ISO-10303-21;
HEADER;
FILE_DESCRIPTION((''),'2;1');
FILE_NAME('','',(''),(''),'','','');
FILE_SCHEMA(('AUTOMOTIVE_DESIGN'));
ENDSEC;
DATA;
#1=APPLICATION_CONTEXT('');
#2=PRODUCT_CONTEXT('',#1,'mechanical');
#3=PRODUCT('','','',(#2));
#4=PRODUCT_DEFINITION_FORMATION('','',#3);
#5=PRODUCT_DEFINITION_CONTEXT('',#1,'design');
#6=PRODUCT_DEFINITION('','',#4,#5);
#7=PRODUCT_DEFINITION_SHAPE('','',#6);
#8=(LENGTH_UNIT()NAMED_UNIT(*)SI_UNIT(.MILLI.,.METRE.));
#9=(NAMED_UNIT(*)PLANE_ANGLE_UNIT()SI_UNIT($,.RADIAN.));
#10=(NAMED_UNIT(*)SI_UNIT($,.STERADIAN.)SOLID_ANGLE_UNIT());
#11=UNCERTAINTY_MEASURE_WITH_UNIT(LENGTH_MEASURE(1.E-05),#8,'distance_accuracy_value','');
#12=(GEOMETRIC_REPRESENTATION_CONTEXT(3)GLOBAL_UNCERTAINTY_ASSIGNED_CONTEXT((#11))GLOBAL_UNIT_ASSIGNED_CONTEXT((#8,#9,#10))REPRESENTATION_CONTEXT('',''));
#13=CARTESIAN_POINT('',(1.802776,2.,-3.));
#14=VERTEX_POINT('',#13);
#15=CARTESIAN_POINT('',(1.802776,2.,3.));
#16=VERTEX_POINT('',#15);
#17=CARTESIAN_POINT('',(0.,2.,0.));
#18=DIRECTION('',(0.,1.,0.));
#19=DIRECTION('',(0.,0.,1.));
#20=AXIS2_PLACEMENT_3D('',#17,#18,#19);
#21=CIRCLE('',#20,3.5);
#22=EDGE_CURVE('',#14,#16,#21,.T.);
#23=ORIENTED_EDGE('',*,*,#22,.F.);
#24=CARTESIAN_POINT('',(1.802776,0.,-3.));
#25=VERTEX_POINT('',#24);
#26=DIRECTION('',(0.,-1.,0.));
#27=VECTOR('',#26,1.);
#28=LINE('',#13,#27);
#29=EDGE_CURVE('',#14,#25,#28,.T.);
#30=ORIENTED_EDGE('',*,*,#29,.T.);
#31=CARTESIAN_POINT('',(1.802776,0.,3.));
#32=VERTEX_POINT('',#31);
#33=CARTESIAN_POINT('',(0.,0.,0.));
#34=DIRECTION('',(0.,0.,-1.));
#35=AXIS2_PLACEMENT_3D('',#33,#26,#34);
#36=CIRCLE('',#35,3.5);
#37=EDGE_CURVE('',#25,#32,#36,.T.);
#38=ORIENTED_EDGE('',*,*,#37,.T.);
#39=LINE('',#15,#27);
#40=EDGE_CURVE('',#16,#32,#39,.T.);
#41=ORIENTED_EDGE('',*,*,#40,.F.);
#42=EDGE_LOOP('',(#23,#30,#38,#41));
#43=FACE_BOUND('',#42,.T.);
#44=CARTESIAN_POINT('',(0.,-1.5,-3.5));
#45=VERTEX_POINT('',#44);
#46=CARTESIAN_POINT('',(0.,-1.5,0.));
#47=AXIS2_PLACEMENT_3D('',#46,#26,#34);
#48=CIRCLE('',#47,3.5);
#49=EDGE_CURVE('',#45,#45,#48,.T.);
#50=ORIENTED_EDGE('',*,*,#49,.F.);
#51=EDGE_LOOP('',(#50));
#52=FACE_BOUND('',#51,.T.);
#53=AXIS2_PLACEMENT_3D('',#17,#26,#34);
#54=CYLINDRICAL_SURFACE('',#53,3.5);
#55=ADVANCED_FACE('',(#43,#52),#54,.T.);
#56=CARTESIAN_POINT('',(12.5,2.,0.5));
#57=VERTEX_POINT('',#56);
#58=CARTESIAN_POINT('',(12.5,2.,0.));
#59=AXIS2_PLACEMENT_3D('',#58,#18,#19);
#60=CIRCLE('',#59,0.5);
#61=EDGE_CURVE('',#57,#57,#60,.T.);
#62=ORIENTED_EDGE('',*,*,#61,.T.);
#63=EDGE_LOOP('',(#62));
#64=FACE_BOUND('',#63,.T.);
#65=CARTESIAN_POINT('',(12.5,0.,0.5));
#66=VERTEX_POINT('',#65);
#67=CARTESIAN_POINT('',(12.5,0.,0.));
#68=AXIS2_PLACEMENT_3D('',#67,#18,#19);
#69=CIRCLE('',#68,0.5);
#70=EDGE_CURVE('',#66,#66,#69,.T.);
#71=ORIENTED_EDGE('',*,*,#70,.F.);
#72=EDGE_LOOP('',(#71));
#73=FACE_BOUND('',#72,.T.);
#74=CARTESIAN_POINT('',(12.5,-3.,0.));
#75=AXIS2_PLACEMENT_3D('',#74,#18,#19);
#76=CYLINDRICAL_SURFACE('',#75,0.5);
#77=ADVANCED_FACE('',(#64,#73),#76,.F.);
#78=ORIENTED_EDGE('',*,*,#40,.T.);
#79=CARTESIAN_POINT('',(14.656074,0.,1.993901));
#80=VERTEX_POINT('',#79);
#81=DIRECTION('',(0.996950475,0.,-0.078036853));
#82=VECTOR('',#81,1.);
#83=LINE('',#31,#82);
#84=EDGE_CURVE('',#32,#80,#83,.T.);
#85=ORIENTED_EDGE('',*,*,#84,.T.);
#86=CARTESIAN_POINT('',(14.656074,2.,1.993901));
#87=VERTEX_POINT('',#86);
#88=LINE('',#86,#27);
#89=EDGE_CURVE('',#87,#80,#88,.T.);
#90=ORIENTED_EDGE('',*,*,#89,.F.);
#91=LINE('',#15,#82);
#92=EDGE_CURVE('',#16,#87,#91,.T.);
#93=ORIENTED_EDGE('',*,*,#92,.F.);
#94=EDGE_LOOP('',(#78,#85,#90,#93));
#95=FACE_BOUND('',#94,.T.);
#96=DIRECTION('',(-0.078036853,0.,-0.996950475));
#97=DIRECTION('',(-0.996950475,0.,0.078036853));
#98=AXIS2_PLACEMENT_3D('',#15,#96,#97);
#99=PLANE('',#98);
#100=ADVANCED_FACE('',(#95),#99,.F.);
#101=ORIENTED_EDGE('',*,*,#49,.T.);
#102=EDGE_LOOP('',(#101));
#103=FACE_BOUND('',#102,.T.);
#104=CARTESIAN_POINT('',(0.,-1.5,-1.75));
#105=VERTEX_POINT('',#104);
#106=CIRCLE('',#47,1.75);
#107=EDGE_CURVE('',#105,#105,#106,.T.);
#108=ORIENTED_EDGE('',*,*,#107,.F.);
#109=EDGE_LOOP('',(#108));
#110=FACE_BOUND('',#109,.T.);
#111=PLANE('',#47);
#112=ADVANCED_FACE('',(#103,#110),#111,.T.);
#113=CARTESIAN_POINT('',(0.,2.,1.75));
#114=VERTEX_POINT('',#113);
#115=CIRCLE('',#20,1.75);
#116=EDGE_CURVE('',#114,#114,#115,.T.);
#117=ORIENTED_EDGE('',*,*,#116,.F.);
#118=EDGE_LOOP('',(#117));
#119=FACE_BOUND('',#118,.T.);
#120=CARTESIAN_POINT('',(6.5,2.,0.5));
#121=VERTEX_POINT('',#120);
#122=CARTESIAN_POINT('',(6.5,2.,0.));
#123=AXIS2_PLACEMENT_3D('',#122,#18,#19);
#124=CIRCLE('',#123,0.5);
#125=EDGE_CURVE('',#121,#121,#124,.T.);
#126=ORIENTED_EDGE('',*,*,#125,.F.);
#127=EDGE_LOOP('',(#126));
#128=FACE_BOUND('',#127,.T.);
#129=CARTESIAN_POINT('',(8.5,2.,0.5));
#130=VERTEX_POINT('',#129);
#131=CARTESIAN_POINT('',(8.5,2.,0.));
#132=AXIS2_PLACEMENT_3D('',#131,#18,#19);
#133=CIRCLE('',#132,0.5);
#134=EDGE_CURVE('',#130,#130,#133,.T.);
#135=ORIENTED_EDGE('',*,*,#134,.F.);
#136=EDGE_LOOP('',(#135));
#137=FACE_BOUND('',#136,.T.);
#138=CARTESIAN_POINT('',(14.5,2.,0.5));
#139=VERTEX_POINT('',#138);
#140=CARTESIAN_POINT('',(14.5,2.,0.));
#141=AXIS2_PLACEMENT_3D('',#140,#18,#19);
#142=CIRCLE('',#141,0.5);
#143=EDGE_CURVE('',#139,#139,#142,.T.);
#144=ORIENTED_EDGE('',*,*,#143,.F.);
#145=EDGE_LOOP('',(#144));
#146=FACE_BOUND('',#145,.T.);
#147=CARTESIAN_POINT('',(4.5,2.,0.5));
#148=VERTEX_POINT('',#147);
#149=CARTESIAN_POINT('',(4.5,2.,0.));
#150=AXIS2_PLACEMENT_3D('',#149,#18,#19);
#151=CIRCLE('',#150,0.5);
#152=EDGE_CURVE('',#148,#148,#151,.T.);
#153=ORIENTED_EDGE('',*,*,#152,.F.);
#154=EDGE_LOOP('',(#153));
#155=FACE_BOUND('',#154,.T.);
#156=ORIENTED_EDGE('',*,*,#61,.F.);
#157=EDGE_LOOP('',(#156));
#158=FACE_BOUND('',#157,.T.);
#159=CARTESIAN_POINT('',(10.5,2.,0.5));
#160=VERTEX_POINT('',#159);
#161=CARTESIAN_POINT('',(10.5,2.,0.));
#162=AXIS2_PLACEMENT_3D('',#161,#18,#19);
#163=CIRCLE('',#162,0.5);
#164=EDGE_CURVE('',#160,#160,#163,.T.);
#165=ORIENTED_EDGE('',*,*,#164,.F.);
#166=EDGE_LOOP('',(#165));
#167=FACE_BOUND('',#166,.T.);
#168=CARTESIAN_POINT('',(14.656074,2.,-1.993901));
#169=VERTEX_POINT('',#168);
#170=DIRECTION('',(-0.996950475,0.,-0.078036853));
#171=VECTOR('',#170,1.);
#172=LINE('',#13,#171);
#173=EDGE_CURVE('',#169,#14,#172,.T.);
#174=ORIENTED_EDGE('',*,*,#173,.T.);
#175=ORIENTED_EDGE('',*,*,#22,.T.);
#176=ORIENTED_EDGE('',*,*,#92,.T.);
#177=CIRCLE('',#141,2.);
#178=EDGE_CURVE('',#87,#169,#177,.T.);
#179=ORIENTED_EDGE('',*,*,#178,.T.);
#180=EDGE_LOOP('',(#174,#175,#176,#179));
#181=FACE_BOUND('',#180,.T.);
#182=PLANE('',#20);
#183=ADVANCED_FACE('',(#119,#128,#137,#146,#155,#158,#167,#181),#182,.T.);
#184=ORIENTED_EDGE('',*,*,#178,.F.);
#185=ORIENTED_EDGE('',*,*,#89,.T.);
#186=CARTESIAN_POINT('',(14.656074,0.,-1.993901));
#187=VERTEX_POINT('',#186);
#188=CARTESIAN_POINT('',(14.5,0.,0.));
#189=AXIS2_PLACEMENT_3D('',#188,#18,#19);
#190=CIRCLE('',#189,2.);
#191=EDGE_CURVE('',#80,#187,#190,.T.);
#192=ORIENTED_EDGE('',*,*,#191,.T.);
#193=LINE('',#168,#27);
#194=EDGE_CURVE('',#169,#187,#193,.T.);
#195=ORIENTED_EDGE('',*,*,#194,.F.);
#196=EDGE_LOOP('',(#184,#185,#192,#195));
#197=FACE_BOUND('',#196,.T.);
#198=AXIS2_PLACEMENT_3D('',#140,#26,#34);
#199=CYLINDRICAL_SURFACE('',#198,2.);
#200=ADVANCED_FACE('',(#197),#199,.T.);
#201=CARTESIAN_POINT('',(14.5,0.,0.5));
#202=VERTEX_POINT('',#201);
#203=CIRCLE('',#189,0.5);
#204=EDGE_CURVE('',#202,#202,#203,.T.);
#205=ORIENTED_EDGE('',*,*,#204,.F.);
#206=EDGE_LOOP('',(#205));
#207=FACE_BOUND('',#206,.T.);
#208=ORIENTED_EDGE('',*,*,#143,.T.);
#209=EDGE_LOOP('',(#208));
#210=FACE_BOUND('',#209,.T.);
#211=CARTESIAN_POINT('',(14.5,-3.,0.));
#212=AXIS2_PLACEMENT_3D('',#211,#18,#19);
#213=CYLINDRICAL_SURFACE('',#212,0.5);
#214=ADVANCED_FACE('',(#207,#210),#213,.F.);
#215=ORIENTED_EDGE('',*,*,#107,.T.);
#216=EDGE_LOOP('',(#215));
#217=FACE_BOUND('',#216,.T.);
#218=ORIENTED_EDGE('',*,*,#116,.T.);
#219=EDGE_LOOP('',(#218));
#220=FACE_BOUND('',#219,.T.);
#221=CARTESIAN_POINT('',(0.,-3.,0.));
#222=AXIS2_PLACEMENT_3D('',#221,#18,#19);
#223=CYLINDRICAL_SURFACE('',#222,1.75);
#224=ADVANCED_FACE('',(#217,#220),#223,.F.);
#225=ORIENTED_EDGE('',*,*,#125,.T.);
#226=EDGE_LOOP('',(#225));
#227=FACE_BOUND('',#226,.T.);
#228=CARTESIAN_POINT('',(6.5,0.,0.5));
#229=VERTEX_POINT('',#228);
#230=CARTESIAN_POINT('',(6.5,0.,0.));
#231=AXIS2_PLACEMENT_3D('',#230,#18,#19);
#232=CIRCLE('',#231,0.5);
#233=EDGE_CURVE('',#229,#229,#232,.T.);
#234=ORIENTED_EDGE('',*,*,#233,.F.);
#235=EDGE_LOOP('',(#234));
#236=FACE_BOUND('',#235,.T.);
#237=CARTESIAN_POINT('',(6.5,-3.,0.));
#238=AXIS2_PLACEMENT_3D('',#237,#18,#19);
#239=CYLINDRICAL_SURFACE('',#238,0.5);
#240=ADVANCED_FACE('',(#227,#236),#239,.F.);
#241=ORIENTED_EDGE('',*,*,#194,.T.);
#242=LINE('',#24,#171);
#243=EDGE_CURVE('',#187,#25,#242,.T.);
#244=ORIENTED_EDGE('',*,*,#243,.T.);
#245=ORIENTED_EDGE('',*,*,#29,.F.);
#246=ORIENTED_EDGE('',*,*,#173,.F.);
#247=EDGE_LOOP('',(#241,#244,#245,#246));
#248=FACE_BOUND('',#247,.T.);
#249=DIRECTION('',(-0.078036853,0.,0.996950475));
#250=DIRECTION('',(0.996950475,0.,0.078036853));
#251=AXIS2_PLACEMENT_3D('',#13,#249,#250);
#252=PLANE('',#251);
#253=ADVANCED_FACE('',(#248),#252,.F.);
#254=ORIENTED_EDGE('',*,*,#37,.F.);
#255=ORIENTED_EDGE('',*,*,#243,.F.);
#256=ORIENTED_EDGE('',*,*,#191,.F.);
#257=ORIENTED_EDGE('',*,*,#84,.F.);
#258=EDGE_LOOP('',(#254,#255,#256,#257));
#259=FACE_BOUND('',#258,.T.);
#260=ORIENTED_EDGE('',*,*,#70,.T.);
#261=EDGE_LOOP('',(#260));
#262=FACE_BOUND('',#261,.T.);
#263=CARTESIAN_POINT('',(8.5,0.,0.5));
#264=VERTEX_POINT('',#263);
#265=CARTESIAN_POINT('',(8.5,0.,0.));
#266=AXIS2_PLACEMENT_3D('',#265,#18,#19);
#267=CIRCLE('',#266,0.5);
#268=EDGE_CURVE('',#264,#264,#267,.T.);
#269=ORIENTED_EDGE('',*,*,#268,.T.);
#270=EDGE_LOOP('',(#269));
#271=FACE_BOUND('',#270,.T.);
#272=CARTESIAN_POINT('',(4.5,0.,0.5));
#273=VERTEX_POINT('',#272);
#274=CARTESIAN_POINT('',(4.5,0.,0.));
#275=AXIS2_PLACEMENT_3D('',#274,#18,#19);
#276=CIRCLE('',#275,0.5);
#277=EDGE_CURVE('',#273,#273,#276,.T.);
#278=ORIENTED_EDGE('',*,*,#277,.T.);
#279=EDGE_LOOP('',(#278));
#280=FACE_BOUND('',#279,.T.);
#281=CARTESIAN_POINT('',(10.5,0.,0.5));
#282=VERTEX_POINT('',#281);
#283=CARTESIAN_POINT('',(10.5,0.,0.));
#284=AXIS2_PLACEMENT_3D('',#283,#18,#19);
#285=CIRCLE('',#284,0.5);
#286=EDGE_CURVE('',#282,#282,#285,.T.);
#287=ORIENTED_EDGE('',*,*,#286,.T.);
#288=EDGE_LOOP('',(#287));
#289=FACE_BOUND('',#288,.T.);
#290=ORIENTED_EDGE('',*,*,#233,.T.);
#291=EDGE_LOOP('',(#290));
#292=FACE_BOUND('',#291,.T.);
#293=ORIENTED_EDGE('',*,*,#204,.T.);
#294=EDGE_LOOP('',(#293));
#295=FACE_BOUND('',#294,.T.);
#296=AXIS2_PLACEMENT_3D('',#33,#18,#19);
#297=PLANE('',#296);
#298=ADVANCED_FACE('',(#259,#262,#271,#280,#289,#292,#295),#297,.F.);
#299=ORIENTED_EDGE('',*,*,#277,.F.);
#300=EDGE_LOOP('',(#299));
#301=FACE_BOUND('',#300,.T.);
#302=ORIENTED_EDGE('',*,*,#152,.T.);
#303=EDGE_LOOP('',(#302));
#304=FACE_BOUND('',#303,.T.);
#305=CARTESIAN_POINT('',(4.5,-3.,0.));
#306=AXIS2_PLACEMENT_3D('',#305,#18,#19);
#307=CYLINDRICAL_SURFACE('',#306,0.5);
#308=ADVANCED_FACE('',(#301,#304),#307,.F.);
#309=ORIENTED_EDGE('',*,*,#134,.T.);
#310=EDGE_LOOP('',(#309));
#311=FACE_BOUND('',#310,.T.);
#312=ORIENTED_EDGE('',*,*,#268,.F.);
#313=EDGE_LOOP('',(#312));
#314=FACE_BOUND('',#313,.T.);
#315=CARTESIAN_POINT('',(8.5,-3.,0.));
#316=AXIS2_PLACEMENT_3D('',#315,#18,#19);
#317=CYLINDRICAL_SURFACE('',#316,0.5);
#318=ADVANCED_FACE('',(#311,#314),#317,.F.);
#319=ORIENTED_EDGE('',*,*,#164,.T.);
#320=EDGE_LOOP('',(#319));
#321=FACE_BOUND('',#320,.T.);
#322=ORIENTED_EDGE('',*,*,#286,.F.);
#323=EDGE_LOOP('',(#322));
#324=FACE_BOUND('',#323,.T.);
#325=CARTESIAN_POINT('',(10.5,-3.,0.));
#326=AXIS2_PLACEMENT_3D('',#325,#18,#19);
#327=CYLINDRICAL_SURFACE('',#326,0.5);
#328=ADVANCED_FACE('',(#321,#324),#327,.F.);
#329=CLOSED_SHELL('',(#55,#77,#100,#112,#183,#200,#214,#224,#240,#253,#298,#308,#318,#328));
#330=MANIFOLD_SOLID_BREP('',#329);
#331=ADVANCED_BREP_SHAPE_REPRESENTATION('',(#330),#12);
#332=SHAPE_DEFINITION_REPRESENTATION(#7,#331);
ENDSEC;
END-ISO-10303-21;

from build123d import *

# Parameters (mm, degrees)
BOSS_EXTRUDE1_DEPTH = 2
BOSS_EXTRUDE2_START = 1.5
SKETCH2_R           = 3.5
BOSS_EXTRUDE2_DEPTH = 1.5
SKETCH3_R           = 1.75
CUT_EXTRUDE1_DEPTH  = 5
SKETCH4_R           = 0.5
CUT_EXTRUDE2_DEPTH  = 5


with BuildPart() as part:
    # Sketch1 → Boss-Extrude1 (new body)
    with BuildSketch(Plane(origin=(0, 0, 0), x_dir=(1, 0, 0), z_dir=(0, 1, 0))):
        with BuildLine():
            Line((1.802775638, 3), (14.656073705, 1.99390095))
            ThreePointArc((14.656073705, 1.99390095), (16.5, 0), (14.656073705, -1.99390095))
            Line((14.656073705, -1.99390095), (1.802775638, -3))
            ThreePointArc((1.802775638, -3), (-3.5, 0), (1.802775638, 3))
        make_face()
    extrude(amount=BOSS_EXTRUDE1_DEPTH)

    # Sketch2 → Boss-Extrude2 (add)
    with BuildSketch(Plane.XZ.offset(BOSS_EXTRUDE2_START)):
        with Locations(Location((0, 0, 0), (0, 0, 270))):
            Circle(SKETCH2_R)
    extrude(amount=-BOSS_EXTRUDE2_DEPTH)

    # Sketch3 → Cut-Extrude1 (cut)
    with BuildSketch(Plane(origin=(0, 2, 0), x_dir=(1, 0, 0), z_dir=(0, 1, 0))):
        with Locations(Location((0, 0, 0), (0, 0, 270))):
            Circle(SKETCH3_R)
    extrude(amount=-CUT_EXTRUDE1_DEPTH, mode=Mode.SUBTRACT)

    # Sketch4 → Cut-Extrude2 (cut)
    with BuildSketch(Plane(origin=(0, 2, 0), x_dir=(1, 0, 0), z_dir=(0, 1, 0))):
        with Locations(Location((4.5, 0, 0), (0, 0, 270))):
            Circle(SKETCH4_R)
        with Locations(Location((6.5, 0, 0), (0, 0, 270))):
            Circle(SKETCH4_R)
        with Locations(Location((8.5, 0, 0), (0, 0, 270))):
            Circle(SKETCH4_R)
        with Locations(Location((10.5, 0, 0), (0, 0, 270))):
            Circle(SKETCH4_R)
        with Locations(Location((12.5, 0, 0), (0, 0, 270))):
            Circle(SKETCH4_R)
        with Locations(Location((14.5, 0, 0), (0, 0, 270))):
            Circle(SKETCH4_R)
    extrude(amount=-CUT_EXTRUDE2_DEPTH, mode=Mode.SUBTRACT)


solid = part.part
